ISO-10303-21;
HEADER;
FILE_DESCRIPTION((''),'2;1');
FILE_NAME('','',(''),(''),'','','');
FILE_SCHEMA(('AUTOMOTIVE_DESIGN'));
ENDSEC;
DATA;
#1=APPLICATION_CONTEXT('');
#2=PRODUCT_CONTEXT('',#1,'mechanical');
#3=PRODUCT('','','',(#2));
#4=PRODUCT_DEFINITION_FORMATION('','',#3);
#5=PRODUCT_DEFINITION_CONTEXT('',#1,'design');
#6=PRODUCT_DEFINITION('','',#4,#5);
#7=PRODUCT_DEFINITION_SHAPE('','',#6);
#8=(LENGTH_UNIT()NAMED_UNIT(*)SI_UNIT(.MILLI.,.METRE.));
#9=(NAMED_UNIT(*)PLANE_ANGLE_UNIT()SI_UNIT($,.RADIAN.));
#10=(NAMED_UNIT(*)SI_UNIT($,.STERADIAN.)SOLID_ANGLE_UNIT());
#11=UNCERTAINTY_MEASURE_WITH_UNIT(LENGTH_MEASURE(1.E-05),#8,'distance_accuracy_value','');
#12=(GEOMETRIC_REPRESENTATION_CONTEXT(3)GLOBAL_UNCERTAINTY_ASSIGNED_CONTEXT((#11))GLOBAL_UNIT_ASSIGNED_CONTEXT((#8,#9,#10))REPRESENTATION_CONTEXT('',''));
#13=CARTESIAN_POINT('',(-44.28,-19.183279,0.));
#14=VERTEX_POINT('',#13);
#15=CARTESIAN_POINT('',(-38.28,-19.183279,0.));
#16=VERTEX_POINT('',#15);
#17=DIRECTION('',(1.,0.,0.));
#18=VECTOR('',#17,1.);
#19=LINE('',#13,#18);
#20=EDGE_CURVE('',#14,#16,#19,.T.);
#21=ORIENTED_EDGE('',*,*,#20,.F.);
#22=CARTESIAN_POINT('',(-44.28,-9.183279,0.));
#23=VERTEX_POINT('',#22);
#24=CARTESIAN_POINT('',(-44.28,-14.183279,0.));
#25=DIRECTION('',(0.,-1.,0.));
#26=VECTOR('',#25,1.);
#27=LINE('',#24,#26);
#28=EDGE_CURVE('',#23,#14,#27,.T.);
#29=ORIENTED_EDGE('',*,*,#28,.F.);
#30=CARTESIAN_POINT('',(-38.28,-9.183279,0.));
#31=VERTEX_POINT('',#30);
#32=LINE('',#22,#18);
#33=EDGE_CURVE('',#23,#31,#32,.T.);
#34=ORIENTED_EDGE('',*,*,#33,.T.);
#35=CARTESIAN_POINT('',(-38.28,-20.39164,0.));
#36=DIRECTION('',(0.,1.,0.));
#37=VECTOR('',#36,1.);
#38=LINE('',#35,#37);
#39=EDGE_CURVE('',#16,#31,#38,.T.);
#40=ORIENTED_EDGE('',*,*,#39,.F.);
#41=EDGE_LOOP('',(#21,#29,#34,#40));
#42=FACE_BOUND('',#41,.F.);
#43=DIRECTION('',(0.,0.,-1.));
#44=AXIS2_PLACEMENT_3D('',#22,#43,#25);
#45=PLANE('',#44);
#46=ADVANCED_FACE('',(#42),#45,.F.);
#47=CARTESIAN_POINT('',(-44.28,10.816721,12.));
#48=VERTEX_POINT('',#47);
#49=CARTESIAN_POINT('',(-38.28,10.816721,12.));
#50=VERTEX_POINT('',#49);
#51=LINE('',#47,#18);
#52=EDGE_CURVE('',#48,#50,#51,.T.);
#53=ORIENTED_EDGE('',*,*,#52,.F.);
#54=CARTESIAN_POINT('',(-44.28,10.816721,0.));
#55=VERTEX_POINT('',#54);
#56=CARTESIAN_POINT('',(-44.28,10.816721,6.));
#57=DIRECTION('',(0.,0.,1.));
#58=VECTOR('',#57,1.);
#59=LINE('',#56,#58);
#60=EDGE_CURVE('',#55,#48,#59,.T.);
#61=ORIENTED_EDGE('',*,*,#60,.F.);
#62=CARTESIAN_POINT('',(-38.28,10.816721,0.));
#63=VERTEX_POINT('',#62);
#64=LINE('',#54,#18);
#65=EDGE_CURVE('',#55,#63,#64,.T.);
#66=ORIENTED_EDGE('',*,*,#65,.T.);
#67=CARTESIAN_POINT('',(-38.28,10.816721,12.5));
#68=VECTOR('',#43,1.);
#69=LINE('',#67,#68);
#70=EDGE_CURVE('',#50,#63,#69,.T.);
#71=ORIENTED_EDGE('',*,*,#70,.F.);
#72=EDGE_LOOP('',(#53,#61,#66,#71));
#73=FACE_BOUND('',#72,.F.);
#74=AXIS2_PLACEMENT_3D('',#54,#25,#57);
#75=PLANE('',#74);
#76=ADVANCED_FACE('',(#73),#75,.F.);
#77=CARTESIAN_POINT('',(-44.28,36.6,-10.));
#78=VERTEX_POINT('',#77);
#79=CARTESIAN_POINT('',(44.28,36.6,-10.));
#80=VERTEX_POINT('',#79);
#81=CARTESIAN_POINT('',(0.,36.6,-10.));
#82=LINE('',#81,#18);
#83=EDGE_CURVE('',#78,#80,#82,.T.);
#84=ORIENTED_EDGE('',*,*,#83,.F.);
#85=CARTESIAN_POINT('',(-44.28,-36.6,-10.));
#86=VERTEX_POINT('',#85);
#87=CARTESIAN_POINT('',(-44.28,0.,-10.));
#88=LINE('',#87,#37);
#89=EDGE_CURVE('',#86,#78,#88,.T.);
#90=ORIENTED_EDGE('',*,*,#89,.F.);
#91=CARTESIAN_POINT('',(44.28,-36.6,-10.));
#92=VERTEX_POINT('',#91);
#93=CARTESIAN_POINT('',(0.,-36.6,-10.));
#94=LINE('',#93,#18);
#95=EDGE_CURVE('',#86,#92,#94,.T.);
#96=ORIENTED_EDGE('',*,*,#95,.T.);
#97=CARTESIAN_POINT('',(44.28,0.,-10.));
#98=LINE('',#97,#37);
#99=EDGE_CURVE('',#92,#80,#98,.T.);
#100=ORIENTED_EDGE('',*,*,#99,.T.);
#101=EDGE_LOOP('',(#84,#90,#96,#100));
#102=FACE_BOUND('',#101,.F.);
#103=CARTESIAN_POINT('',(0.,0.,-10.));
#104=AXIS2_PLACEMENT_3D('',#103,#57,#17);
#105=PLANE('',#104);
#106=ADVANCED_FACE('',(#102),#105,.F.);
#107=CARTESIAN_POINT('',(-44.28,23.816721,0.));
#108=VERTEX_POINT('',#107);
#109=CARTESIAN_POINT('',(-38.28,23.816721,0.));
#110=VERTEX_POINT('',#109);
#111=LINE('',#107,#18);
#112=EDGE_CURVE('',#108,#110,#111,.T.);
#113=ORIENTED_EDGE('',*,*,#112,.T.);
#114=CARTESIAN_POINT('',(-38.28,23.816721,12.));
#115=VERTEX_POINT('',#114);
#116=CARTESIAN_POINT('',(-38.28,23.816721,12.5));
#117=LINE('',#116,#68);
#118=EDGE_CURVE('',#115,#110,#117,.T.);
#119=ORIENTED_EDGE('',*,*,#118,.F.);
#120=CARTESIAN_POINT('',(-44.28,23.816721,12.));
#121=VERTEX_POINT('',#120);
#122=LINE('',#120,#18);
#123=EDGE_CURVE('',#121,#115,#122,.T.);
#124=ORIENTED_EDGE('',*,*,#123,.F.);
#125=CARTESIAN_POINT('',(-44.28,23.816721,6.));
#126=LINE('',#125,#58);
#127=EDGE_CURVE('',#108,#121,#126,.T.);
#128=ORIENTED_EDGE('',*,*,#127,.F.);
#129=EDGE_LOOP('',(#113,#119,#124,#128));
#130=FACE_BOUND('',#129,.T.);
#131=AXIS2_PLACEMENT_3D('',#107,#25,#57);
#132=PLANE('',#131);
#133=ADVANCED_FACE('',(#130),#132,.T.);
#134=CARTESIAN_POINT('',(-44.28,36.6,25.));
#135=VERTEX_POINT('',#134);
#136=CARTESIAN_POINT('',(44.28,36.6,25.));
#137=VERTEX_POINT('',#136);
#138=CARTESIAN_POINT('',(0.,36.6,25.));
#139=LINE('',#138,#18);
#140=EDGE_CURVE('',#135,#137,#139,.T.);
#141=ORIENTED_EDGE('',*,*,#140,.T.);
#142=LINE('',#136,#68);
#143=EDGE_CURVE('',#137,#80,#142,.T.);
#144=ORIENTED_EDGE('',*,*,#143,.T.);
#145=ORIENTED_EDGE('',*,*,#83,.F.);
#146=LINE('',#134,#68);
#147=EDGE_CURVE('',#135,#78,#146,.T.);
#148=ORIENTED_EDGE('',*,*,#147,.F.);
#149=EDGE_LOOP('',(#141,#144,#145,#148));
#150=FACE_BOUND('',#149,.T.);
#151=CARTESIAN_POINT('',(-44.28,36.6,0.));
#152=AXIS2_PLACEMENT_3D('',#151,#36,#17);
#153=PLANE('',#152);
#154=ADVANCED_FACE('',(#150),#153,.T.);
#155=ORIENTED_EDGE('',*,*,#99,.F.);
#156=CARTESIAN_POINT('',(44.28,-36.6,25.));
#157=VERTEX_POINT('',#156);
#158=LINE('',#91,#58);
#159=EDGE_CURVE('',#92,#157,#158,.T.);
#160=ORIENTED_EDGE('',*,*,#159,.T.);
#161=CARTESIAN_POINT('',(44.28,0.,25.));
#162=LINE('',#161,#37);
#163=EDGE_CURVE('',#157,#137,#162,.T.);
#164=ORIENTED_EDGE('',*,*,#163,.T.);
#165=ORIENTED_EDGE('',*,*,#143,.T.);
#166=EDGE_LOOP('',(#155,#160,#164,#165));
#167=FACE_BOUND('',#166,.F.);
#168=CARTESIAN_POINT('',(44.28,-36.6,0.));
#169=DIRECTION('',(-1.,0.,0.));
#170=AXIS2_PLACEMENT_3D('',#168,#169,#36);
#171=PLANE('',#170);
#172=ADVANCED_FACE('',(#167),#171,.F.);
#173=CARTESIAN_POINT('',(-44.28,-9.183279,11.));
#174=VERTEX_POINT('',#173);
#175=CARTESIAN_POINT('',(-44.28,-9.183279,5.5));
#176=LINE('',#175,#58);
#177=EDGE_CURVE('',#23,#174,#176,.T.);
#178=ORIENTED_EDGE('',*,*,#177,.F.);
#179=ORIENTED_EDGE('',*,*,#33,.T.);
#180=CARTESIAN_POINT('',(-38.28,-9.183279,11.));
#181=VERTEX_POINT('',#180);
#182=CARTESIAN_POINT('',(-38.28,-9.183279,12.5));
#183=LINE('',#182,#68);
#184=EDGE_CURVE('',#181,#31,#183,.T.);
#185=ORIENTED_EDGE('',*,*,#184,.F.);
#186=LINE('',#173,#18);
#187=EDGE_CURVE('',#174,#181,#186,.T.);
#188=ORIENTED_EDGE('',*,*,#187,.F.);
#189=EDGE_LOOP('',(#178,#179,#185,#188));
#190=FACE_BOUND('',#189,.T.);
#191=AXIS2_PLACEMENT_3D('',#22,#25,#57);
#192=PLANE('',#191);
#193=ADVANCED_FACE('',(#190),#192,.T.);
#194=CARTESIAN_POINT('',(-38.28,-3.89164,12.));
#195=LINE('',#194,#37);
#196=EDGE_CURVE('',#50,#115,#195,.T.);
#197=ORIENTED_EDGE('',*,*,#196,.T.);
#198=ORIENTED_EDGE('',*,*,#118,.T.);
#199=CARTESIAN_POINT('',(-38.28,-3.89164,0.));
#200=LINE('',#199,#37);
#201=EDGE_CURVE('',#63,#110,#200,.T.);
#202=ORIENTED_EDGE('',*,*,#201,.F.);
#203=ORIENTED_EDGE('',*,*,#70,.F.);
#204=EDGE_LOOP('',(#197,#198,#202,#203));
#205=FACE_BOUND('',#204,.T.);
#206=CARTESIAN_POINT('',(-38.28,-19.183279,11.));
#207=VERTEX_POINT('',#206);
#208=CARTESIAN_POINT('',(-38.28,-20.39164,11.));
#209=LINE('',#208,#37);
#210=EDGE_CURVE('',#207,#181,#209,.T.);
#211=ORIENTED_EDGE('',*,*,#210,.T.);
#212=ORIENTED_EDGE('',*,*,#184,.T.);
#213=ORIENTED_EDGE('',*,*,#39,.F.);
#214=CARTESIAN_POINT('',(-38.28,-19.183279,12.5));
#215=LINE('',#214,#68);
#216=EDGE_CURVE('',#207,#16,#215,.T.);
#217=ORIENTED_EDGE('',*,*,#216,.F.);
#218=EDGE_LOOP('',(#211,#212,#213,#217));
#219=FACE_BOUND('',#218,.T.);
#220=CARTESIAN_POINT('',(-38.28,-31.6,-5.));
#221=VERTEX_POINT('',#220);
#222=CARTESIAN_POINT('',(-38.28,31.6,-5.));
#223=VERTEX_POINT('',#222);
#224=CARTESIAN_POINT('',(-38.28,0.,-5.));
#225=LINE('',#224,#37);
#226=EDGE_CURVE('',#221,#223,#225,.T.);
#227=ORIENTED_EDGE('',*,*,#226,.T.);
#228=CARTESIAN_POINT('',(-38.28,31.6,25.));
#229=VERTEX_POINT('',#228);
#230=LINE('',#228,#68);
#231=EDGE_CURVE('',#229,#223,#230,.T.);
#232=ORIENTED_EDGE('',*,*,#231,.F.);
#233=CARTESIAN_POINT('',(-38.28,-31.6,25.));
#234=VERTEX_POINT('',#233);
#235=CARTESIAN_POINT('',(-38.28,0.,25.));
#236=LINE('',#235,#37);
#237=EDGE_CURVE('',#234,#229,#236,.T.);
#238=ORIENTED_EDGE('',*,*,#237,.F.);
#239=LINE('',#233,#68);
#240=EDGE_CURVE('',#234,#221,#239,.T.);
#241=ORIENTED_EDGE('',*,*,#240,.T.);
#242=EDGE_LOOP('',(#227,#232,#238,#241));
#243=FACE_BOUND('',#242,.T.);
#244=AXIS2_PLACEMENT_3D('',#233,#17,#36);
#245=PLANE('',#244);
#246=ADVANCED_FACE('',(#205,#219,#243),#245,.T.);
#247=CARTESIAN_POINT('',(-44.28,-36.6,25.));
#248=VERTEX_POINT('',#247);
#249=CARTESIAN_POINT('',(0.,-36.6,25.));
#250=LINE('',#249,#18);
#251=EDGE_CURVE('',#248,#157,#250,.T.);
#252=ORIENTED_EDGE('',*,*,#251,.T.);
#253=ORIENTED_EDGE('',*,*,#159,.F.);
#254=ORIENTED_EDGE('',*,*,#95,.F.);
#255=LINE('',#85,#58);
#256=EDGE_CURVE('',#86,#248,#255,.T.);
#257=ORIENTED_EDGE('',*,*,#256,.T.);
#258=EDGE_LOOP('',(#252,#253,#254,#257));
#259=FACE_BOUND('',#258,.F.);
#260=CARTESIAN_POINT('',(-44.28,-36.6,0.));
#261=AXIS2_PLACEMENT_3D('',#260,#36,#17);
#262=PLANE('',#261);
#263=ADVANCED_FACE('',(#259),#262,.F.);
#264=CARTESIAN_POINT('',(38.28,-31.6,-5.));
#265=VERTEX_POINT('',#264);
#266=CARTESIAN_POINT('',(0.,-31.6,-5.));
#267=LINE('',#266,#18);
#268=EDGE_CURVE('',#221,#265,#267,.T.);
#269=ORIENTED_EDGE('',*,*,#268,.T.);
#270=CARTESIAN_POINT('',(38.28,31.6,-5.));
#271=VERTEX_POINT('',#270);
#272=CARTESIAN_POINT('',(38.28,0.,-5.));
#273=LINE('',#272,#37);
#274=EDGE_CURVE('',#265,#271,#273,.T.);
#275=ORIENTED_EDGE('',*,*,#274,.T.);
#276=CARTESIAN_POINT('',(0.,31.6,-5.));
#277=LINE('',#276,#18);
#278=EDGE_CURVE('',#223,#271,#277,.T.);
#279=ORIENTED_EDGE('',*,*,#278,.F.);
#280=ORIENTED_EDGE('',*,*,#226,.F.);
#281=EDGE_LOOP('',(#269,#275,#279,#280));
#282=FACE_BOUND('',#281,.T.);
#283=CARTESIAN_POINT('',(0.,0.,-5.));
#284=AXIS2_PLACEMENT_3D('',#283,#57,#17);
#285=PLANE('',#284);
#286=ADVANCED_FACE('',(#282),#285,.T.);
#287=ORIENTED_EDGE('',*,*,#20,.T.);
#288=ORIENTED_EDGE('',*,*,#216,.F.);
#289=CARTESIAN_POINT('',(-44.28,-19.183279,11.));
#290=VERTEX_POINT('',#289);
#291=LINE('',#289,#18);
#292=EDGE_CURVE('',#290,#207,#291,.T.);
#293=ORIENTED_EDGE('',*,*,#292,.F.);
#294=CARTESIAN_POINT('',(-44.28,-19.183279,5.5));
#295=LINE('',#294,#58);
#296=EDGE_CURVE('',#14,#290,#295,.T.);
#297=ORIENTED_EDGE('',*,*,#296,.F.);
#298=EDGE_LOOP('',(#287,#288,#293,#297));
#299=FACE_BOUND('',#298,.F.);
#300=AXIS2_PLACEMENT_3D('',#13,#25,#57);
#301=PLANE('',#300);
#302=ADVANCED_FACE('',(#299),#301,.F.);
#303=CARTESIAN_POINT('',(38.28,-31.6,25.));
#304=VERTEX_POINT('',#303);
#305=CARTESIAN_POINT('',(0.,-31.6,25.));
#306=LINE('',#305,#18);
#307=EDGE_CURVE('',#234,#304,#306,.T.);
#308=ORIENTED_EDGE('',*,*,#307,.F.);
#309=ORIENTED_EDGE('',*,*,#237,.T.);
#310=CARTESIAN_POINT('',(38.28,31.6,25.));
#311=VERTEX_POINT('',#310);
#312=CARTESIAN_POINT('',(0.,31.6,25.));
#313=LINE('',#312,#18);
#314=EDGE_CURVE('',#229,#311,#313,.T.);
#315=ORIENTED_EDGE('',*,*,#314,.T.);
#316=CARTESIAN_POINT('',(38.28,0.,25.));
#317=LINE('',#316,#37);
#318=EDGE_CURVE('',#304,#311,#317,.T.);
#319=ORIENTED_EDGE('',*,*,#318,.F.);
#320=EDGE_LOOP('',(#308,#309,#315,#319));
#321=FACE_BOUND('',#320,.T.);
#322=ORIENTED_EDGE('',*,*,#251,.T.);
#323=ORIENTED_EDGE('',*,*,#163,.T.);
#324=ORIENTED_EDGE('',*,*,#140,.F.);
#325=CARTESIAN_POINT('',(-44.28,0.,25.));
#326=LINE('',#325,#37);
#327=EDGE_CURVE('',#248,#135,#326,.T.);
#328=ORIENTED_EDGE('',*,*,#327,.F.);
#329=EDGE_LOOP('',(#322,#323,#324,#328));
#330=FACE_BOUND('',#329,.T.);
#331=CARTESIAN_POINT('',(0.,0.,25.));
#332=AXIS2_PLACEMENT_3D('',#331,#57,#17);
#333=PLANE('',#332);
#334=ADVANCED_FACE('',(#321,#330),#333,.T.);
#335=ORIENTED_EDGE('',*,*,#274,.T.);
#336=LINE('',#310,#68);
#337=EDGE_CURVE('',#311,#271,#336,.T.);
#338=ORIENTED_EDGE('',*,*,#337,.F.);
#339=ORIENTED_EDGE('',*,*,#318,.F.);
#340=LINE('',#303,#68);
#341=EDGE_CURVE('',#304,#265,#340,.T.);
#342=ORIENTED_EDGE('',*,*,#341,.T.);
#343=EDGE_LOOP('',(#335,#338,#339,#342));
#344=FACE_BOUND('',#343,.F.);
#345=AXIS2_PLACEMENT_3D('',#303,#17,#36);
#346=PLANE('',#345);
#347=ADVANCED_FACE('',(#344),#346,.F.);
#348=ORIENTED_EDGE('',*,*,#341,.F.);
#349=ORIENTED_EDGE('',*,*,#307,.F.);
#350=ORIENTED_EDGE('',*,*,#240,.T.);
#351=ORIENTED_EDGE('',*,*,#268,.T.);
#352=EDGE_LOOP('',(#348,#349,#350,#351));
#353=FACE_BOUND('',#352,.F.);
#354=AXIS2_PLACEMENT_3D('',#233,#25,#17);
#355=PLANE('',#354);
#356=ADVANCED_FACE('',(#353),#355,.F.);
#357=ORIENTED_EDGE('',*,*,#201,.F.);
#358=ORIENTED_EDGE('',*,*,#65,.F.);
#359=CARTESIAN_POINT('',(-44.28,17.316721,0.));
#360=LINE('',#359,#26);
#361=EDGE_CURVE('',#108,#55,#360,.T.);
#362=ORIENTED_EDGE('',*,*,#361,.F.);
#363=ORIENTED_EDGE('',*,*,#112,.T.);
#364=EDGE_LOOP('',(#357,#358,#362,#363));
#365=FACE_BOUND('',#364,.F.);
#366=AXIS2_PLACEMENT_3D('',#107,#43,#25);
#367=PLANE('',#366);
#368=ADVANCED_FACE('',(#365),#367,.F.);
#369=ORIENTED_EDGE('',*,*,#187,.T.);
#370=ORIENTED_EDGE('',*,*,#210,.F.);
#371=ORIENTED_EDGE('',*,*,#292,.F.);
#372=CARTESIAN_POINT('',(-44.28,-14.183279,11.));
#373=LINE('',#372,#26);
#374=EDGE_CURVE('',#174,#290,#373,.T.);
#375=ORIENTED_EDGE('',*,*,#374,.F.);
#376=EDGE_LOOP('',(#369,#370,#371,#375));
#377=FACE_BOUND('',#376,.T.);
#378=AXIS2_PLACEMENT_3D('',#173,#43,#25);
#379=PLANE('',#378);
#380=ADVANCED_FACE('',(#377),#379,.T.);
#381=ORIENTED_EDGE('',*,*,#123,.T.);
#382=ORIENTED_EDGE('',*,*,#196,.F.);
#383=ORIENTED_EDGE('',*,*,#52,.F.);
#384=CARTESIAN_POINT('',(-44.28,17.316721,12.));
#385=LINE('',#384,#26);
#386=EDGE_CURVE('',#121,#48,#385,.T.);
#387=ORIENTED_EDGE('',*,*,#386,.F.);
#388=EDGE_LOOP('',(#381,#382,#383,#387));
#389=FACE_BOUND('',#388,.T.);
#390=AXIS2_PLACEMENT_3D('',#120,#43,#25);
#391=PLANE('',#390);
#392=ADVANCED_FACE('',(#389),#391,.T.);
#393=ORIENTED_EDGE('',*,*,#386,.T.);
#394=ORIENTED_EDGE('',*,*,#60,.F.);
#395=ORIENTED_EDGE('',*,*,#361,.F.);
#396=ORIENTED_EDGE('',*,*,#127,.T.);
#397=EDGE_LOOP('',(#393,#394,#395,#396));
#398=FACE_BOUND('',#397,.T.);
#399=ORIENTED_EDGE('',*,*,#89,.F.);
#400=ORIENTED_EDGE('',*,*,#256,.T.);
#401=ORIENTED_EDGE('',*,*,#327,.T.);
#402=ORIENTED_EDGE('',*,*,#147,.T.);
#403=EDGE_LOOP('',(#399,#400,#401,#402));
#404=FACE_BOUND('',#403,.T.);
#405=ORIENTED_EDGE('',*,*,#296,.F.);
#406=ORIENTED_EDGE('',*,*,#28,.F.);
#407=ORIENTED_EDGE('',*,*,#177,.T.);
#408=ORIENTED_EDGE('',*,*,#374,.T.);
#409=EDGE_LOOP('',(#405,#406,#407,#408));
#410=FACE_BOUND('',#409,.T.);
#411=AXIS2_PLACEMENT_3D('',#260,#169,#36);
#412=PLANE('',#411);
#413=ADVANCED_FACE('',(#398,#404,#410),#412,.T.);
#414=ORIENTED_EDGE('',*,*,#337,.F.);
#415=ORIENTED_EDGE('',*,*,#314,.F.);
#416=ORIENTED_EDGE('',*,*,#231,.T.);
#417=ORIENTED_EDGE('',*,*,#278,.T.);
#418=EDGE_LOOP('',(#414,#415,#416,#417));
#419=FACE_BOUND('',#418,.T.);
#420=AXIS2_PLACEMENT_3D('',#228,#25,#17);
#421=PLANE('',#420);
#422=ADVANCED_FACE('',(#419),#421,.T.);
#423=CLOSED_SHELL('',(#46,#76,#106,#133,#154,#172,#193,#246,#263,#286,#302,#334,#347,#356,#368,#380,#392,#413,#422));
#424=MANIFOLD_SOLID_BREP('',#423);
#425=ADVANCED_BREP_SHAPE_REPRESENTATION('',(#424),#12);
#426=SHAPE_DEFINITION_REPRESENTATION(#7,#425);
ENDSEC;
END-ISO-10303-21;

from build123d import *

# Parameters (mm, degrees)
F0_W      = 88.56
F0_H      = 73.2
F1_DEPTH  = 10
F1_FACE_W = 88.56
F1_FACE_H = 73.2
F2_DEPTH  = 25
F3_W      = 76.56
F3_H      = 63.2
F4_DEPTH  = 30
F6_W      = 13
F6_H      = 12
F6_W_2    = 10
F6_H_2    = 11
F7_DEPTH  = 25


with BuildPart() as f1:
    # F0 (on Top) → F1 (new body)
    with BuildSketch(Plane.XY):
        Rectangle(F0_W, F0_H)
    extrude(amount=-F1_DEPTH)

    # F1_face (on face) → F2 (join)
    with BuildSketch(Plane.XY):
        Rectangle(F1_FACE_W, F1_FACE_H)
    extrude(amount=F2_DEPTH)

    # F3 (on face) → F4 (cut)
    with BuildSketch(Plane.XY.offset(25)):
        Rectangle(F3_W, F3_H)
    extrude(amount=-F4_DEPTH, mode=Mode.SUBTRACT)

    # F6 (on face) → F7 (cut)
    with BuildSketch(Plane(origin=(-44.28, 0, 0), x_dir=(0, -1, 0), z_dir=(-1, 0, 0))):
        with Locations((-17.316721, 6)):
            Rectangle(F6_W, F6_H)
        with Locations((14.183279, 5.5)):
            Rectangle(F6_W_2, F6_H_2)
    extrude(amount=-F7_DEPTH, mode=Mode.SUBTRACT)


solid = f1.part
